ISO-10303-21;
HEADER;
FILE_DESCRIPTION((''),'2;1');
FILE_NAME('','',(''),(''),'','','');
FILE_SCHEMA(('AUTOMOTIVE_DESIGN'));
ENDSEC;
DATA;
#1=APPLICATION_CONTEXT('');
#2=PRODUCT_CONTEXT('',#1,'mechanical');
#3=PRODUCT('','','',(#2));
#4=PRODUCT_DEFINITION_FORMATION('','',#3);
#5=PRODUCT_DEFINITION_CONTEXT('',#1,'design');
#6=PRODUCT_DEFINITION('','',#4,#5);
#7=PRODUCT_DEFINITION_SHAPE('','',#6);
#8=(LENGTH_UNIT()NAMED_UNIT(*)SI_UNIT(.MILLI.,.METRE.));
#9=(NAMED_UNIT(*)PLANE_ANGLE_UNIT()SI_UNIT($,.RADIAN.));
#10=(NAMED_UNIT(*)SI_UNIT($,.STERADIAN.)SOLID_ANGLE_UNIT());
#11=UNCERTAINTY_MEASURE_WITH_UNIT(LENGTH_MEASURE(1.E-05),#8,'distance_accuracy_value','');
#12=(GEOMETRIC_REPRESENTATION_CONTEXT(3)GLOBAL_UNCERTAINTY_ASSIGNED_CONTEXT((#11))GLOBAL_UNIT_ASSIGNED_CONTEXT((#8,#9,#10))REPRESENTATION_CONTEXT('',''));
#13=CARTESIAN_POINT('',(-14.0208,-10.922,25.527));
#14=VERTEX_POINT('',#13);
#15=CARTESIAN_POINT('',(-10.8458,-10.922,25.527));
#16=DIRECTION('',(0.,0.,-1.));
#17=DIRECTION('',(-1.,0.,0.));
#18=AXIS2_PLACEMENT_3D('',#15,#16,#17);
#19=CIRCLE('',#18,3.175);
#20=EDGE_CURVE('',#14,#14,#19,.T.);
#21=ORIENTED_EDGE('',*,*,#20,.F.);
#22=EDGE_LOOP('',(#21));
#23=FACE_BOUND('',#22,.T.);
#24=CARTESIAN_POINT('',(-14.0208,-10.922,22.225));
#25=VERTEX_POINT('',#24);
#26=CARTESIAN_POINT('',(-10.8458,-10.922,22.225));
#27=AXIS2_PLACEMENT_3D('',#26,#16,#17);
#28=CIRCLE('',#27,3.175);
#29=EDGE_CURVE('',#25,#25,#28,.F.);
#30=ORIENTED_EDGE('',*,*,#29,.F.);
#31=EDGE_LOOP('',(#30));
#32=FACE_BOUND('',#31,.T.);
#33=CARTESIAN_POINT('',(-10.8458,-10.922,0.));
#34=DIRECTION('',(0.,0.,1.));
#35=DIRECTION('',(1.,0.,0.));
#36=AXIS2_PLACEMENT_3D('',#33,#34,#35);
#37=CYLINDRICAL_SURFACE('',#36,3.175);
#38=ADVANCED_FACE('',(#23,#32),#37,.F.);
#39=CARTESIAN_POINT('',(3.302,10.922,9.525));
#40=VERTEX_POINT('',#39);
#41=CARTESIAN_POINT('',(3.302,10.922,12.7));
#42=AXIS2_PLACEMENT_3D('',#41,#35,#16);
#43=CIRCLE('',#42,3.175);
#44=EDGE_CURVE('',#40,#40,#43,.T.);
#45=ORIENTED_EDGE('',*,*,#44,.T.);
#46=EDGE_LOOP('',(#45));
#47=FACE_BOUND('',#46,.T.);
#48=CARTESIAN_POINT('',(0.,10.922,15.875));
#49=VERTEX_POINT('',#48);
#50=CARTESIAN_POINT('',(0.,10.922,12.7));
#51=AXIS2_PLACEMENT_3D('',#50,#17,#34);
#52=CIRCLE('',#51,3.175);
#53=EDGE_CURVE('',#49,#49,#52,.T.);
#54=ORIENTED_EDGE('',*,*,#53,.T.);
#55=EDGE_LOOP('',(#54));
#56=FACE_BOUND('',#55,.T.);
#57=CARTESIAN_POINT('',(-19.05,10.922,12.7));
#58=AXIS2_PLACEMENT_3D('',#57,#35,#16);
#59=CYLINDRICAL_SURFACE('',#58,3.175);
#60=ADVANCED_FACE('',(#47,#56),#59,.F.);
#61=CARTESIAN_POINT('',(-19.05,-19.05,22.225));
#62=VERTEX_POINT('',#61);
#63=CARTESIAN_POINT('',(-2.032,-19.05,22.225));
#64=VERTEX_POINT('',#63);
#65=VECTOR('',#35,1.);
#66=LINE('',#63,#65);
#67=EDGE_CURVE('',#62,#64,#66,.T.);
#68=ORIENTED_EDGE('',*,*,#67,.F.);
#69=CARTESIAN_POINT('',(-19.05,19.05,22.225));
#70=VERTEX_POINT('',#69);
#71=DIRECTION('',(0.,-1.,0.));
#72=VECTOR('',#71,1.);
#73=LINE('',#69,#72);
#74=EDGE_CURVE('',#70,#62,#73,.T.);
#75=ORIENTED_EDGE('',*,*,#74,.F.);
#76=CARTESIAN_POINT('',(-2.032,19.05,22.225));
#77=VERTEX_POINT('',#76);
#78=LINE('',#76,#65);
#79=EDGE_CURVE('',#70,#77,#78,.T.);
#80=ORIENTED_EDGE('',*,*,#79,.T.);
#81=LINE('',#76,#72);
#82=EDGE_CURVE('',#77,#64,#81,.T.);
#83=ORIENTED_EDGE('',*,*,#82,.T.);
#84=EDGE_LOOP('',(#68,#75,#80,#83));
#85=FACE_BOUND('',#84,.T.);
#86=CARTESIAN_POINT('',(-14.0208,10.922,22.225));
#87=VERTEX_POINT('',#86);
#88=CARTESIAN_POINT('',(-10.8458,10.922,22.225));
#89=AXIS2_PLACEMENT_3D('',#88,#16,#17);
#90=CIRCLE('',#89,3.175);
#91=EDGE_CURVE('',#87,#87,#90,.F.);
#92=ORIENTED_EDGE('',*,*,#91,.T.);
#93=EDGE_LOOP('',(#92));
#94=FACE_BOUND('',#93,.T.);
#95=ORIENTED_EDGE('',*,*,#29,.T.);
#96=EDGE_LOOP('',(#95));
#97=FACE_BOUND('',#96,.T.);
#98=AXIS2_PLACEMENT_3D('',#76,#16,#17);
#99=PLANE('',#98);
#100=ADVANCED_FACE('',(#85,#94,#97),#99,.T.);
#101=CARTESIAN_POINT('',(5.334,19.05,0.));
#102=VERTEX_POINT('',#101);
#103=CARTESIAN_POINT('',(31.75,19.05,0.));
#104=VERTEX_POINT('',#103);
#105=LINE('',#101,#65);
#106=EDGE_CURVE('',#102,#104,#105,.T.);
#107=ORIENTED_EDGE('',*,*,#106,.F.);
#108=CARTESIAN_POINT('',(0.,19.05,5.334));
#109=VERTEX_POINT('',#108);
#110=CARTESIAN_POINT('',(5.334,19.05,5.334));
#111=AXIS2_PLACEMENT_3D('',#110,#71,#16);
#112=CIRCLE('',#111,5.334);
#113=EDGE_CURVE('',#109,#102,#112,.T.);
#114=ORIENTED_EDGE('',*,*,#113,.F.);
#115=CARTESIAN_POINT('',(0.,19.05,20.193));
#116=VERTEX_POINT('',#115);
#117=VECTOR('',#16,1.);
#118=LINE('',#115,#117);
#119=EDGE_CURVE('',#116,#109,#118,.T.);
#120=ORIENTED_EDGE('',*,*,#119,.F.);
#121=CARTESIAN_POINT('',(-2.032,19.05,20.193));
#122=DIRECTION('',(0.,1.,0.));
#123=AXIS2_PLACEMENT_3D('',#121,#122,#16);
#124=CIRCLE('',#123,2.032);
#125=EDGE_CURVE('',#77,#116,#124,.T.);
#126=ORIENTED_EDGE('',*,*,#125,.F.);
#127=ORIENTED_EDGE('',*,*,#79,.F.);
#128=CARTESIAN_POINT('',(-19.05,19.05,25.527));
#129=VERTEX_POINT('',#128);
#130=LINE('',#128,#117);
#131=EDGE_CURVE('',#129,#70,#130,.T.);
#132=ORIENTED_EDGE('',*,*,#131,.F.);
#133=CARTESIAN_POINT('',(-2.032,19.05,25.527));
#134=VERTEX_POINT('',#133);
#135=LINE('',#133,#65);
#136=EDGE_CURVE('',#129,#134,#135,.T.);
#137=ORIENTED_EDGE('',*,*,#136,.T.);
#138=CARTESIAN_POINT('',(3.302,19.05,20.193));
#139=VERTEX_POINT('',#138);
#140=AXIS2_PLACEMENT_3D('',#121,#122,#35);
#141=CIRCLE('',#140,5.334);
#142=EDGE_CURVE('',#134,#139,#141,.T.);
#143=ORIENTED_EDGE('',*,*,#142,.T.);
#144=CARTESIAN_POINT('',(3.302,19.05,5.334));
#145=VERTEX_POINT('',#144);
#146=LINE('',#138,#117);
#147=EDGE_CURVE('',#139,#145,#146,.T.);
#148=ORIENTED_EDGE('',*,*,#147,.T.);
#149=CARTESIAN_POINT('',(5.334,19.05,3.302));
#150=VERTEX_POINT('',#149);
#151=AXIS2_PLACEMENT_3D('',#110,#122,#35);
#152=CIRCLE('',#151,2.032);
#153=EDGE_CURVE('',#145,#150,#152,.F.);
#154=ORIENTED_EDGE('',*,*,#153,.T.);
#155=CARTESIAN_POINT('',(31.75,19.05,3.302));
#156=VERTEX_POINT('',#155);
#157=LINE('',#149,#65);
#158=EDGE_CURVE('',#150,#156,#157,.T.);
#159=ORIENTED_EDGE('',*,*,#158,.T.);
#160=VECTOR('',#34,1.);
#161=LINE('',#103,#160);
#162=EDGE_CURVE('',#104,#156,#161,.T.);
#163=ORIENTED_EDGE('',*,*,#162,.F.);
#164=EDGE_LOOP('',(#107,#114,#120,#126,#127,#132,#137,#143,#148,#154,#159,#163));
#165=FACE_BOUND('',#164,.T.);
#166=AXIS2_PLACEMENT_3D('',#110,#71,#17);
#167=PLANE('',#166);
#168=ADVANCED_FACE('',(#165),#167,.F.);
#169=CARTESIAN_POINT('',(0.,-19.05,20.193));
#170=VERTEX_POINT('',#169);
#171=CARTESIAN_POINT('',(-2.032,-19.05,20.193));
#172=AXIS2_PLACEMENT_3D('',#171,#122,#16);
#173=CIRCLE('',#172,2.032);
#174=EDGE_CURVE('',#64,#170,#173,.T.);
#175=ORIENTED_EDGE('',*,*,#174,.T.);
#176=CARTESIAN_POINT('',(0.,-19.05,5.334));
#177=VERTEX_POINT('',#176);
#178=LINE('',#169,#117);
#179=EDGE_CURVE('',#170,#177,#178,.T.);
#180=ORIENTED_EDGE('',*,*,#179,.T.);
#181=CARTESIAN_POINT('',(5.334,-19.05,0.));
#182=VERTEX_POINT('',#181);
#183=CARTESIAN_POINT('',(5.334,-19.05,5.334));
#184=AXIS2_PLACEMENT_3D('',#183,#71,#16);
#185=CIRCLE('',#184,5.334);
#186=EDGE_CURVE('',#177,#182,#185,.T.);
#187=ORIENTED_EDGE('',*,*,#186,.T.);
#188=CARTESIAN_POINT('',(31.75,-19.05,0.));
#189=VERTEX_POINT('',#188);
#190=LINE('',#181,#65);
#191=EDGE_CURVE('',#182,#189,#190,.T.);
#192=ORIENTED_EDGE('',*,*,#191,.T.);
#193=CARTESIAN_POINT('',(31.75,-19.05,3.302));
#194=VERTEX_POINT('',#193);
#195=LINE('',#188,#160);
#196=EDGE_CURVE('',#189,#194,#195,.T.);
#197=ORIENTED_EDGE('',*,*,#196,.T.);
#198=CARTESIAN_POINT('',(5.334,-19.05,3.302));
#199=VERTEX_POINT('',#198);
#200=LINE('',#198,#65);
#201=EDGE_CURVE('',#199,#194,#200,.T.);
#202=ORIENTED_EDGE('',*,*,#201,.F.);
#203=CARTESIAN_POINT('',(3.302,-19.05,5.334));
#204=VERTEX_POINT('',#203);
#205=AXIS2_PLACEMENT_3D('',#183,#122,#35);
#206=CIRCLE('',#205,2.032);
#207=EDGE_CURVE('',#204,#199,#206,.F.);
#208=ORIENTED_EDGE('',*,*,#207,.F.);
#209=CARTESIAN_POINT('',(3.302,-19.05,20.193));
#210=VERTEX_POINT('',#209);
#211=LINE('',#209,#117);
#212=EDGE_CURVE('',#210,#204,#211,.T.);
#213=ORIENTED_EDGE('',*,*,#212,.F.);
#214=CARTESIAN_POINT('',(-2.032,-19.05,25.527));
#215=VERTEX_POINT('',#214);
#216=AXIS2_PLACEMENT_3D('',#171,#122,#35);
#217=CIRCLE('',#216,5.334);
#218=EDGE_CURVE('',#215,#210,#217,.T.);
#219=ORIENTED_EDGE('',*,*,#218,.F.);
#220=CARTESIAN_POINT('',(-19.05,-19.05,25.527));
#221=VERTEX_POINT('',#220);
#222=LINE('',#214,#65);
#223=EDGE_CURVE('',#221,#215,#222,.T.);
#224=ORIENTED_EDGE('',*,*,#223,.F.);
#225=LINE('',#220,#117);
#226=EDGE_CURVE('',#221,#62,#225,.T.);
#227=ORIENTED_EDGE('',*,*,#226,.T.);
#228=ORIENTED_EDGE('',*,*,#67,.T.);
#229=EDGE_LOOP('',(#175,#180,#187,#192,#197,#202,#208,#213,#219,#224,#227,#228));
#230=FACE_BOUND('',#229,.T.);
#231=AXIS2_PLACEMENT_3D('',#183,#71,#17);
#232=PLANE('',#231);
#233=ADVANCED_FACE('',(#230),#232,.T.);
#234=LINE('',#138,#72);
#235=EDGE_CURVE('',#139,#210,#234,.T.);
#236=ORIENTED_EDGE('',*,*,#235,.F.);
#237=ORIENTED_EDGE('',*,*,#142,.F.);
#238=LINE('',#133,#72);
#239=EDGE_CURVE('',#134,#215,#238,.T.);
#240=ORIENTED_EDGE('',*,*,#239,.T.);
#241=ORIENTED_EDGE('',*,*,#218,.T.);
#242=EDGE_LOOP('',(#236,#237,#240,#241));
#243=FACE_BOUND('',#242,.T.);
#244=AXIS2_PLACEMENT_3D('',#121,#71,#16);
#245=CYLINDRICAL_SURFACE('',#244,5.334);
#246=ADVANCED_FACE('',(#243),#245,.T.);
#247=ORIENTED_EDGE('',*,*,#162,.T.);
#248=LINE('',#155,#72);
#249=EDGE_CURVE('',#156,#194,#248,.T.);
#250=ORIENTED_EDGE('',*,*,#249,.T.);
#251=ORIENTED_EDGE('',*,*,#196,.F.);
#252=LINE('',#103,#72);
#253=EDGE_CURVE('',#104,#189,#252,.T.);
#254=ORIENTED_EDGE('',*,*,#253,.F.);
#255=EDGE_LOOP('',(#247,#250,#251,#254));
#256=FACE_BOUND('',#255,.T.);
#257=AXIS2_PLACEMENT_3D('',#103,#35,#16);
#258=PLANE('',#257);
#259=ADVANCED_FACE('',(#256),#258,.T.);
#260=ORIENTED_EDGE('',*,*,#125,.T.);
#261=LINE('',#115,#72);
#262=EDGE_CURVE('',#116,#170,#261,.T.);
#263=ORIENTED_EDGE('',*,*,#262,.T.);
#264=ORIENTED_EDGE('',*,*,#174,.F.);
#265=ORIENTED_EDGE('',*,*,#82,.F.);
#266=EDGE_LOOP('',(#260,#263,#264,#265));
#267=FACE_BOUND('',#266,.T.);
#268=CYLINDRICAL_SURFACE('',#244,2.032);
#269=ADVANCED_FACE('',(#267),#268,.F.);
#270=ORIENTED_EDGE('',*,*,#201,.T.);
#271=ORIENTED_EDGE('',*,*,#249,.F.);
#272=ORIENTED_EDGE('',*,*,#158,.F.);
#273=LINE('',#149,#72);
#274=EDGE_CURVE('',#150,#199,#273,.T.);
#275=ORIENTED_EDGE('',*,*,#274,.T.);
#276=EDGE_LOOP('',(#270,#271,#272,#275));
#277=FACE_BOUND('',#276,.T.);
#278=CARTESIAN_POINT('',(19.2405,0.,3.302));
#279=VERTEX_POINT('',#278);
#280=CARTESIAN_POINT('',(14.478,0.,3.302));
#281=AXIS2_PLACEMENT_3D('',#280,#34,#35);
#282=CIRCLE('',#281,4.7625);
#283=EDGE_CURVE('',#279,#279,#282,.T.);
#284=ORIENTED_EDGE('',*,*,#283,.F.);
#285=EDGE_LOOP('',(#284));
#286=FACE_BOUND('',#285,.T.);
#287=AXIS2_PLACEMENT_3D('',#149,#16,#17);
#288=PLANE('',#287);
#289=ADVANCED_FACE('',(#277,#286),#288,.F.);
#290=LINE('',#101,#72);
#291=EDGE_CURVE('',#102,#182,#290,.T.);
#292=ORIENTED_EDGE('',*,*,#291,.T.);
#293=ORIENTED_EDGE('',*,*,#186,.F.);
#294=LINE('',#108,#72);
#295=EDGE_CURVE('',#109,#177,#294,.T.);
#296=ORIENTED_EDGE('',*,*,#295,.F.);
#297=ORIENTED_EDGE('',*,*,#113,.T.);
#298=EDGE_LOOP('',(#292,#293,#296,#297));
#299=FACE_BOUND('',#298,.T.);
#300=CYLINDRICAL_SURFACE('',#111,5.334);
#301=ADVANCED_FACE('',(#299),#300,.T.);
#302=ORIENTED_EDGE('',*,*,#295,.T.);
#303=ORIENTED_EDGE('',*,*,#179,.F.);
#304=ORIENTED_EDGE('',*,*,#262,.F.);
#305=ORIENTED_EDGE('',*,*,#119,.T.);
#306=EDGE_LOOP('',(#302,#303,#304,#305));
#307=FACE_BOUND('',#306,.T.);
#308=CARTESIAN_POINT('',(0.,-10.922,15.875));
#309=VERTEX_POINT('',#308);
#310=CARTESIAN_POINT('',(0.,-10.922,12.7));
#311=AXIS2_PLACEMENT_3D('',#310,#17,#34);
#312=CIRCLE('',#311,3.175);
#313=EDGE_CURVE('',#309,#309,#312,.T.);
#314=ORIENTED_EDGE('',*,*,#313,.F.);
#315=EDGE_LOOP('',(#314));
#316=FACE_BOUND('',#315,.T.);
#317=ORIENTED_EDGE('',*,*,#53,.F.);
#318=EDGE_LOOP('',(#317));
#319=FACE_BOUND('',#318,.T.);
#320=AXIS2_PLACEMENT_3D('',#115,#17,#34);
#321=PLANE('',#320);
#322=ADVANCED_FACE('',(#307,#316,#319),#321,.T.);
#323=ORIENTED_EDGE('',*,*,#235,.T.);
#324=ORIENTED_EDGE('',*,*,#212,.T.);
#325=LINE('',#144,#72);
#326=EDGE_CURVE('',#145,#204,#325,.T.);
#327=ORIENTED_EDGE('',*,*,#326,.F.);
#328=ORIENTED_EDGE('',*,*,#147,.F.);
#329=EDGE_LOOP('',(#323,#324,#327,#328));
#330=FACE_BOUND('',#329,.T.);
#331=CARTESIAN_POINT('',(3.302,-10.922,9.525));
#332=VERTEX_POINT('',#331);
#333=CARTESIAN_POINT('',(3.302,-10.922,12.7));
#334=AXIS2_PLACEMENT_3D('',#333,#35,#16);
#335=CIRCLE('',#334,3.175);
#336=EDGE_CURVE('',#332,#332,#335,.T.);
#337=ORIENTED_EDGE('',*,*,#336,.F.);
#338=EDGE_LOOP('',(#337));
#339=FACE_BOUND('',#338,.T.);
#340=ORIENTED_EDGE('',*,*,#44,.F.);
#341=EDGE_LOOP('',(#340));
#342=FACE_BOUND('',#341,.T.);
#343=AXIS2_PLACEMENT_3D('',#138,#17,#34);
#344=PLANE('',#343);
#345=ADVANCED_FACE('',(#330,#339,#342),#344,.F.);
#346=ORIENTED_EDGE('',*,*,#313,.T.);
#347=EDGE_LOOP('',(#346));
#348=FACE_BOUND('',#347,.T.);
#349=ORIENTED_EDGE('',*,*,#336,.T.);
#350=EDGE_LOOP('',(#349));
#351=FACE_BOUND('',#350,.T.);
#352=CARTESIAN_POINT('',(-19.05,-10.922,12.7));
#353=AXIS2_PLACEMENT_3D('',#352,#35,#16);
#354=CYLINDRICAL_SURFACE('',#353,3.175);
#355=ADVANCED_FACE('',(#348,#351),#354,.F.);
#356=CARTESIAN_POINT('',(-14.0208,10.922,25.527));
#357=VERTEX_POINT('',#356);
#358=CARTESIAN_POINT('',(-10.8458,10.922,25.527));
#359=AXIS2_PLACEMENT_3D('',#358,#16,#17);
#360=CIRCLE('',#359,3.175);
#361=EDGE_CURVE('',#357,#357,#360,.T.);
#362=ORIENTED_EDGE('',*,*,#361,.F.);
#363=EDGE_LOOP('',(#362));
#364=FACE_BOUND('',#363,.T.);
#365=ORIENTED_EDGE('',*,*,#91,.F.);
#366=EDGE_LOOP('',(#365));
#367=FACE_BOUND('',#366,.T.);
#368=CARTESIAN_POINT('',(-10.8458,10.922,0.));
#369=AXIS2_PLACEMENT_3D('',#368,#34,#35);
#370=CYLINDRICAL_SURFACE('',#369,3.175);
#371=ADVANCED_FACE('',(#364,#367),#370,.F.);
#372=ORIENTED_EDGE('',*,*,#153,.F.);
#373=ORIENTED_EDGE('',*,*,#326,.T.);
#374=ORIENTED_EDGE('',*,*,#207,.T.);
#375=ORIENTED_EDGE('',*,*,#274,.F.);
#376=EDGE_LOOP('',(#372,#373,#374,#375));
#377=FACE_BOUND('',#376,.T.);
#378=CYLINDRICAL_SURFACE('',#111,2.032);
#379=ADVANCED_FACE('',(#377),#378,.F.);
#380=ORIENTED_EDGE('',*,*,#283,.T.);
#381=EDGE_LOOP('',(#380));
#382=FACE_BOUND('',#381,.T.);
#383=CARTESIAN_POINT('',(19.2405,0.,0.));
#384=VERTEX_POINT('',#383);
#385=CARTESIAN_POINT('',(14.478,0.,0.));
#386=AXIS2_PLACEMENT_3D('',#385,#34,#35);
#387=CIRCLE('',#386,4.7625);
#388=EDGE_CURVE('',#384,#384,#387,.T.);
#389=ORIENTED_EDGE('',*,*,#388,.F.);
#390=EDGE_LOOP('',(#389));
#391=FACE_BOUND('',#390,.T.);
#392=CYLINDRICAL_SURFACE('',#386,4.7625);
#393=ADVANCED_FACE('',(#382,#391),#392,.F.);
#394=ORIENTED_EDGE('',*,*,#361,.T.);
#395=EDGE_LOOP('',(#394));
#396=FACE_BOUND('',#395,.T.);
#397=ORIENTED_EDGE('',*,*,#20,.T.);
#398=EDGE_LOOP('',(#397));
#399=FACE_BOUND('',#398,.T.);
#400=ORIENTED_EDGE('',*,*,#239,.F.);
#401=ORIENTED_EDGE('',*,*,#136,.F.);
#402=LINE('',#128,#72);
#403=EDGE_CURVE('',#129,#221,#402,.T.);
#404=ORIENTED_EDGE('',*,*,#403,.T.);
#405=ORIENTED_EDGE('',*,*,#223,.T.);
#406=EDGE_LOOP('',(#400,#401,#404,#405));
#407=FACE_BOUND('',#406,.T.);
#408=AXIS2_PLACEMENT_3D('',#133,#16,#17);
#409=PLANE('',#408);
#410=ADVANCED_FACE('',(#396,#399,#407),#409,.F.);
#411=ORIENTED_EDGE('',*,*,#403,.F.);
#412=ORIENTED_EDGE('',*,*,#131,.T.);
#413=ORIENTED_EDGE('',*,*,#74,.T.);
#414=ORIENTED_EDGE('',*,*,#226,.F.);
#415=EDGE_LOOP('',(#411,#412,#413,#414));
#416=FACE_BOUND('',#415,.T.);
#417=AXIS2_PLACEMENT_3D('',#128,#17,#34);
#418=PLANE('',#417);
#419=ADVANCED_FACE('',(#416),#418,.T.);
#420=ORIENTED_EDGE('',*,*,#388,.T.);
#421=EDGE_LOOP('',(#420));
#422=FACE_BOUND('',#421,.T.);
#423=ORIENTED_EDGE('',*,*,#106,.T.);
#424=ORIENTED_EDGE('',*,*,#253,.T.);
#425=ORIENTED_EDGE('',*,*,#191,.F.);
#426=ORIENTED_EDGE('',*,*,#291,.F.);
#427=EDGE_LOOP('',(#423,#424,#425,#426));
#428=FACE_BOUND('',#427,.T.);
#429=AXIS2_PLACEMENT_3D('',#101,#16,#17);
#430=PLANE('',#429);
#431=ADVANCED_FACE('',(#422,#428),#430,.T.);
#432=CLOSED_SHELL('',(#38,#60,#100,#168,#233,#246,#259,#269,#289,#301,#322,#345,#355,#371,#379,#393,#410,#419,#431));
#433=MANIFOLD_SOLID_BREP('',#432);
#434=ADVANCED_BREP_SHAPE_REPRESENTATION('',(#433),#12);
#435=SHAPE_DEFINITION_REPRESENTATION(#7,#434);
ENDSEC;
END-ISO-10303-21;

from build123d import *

# Parameters (mm, degrees)
EXTRUDE_THIN1_DEPTH = 19.05
SKETCH4_R           = 3.175
EXTRUDE3_DEPTH      = 26.527
SKETCH9_R           = 3.175
CUT_EXTRUDE3_DEPTH  = 23.352
SKETCH8_R           = 4.7625
CUT_EXTRUDE2_DEPTH  = 4.302


with BuildPart() as part:
    # Sketch1 → Extrude-Thin1 (new body, symmetric)
    with BuildSketch(Plane(origin=(0, 0, 0), x_dir=(1, 0, 0), z_dir=(0, 1, 0))):
        with BuildLine():
            Line((-19.05, -22.225), (-2.032, -22.225))
            ThreePointArc((-2.032, -22.225), (-0.595159021, -21.629840979), (0, -20.193))
            Line((0, -20.193), (0, -5.334))
            ThreePointArc((0, -5.334), (1.562292429, -1.562292429), (5.334, 0))
            Line((5.334, 0), (31.75, 0))
            Line((31.75, 0), (31.75, -3.302))
            Line((31.75, -3.302), (5.334, -3.302))
            ThreePointArc((5.334, -3.302), (3.897159021, -3.897159021), (3.302, -5.334))
            Line((3.302, -5.334), (3.302, -20.193))
            ThreePointArc((3.302, -20.193), (1.739707571, -23.964707571), (-2.032, -25.527))
            Line((-2.032, -25.527), (-19.05, -25.527))
            Line((-19.05, -25.527), (-19.05, -22.225))
        make_face()
    extrude(amount=EXTRUDE_THIN1_DEPTH, both=True)

    # Sketch4 → Extrude3 (cut, through all)
    with BuildSketch(Plane(origin=(-22.225, 0, 25.527), x_dir=(-1, 0, 0), z_dir=(0, 0, -1))):
        with Locations((-11.3792, 10.922)):
            Circle(SKETCH4_R)
        with Locations((-11.3792, -10.922)):
            Circle(SKETCH4_R)
    extrude(amount=EXTRUDE3_DEPTH, mode=Mode.SUBTRACT)

    # Sketch9 → Cut-Extrude3 (cut, through all)
    with BuildSketch(Plane(origin=(3.302, 0, 0), x_dir=(0, 0, -1), z_dir=(1, 0, 0))):
        with Locations((-12.7, 10.922)):
            Circle(SKETCH9_R)
        with Locations((-12.7, -10.922)):
            Circle(SKETCH9_R)
    extrude(amount=-CUT_EXTRUDE3_DEPTH, mode=Mode.SUBTRACT)

    # Sketch8 → Cut-Extrude2 (cut, through all)
    with BuildSketch(Plane.XY.offset(3.302)):
        with Locations((14.478, 0)):
            Circle(SKETCH8_R)
        with Locations((-55.372, 0)):
            Circle(SKETCH8_R)
    extrude(amount=-CUT_EXTRUDE2_DEPTH, mode=Mode.SUBTRACT)


solid = part.part
